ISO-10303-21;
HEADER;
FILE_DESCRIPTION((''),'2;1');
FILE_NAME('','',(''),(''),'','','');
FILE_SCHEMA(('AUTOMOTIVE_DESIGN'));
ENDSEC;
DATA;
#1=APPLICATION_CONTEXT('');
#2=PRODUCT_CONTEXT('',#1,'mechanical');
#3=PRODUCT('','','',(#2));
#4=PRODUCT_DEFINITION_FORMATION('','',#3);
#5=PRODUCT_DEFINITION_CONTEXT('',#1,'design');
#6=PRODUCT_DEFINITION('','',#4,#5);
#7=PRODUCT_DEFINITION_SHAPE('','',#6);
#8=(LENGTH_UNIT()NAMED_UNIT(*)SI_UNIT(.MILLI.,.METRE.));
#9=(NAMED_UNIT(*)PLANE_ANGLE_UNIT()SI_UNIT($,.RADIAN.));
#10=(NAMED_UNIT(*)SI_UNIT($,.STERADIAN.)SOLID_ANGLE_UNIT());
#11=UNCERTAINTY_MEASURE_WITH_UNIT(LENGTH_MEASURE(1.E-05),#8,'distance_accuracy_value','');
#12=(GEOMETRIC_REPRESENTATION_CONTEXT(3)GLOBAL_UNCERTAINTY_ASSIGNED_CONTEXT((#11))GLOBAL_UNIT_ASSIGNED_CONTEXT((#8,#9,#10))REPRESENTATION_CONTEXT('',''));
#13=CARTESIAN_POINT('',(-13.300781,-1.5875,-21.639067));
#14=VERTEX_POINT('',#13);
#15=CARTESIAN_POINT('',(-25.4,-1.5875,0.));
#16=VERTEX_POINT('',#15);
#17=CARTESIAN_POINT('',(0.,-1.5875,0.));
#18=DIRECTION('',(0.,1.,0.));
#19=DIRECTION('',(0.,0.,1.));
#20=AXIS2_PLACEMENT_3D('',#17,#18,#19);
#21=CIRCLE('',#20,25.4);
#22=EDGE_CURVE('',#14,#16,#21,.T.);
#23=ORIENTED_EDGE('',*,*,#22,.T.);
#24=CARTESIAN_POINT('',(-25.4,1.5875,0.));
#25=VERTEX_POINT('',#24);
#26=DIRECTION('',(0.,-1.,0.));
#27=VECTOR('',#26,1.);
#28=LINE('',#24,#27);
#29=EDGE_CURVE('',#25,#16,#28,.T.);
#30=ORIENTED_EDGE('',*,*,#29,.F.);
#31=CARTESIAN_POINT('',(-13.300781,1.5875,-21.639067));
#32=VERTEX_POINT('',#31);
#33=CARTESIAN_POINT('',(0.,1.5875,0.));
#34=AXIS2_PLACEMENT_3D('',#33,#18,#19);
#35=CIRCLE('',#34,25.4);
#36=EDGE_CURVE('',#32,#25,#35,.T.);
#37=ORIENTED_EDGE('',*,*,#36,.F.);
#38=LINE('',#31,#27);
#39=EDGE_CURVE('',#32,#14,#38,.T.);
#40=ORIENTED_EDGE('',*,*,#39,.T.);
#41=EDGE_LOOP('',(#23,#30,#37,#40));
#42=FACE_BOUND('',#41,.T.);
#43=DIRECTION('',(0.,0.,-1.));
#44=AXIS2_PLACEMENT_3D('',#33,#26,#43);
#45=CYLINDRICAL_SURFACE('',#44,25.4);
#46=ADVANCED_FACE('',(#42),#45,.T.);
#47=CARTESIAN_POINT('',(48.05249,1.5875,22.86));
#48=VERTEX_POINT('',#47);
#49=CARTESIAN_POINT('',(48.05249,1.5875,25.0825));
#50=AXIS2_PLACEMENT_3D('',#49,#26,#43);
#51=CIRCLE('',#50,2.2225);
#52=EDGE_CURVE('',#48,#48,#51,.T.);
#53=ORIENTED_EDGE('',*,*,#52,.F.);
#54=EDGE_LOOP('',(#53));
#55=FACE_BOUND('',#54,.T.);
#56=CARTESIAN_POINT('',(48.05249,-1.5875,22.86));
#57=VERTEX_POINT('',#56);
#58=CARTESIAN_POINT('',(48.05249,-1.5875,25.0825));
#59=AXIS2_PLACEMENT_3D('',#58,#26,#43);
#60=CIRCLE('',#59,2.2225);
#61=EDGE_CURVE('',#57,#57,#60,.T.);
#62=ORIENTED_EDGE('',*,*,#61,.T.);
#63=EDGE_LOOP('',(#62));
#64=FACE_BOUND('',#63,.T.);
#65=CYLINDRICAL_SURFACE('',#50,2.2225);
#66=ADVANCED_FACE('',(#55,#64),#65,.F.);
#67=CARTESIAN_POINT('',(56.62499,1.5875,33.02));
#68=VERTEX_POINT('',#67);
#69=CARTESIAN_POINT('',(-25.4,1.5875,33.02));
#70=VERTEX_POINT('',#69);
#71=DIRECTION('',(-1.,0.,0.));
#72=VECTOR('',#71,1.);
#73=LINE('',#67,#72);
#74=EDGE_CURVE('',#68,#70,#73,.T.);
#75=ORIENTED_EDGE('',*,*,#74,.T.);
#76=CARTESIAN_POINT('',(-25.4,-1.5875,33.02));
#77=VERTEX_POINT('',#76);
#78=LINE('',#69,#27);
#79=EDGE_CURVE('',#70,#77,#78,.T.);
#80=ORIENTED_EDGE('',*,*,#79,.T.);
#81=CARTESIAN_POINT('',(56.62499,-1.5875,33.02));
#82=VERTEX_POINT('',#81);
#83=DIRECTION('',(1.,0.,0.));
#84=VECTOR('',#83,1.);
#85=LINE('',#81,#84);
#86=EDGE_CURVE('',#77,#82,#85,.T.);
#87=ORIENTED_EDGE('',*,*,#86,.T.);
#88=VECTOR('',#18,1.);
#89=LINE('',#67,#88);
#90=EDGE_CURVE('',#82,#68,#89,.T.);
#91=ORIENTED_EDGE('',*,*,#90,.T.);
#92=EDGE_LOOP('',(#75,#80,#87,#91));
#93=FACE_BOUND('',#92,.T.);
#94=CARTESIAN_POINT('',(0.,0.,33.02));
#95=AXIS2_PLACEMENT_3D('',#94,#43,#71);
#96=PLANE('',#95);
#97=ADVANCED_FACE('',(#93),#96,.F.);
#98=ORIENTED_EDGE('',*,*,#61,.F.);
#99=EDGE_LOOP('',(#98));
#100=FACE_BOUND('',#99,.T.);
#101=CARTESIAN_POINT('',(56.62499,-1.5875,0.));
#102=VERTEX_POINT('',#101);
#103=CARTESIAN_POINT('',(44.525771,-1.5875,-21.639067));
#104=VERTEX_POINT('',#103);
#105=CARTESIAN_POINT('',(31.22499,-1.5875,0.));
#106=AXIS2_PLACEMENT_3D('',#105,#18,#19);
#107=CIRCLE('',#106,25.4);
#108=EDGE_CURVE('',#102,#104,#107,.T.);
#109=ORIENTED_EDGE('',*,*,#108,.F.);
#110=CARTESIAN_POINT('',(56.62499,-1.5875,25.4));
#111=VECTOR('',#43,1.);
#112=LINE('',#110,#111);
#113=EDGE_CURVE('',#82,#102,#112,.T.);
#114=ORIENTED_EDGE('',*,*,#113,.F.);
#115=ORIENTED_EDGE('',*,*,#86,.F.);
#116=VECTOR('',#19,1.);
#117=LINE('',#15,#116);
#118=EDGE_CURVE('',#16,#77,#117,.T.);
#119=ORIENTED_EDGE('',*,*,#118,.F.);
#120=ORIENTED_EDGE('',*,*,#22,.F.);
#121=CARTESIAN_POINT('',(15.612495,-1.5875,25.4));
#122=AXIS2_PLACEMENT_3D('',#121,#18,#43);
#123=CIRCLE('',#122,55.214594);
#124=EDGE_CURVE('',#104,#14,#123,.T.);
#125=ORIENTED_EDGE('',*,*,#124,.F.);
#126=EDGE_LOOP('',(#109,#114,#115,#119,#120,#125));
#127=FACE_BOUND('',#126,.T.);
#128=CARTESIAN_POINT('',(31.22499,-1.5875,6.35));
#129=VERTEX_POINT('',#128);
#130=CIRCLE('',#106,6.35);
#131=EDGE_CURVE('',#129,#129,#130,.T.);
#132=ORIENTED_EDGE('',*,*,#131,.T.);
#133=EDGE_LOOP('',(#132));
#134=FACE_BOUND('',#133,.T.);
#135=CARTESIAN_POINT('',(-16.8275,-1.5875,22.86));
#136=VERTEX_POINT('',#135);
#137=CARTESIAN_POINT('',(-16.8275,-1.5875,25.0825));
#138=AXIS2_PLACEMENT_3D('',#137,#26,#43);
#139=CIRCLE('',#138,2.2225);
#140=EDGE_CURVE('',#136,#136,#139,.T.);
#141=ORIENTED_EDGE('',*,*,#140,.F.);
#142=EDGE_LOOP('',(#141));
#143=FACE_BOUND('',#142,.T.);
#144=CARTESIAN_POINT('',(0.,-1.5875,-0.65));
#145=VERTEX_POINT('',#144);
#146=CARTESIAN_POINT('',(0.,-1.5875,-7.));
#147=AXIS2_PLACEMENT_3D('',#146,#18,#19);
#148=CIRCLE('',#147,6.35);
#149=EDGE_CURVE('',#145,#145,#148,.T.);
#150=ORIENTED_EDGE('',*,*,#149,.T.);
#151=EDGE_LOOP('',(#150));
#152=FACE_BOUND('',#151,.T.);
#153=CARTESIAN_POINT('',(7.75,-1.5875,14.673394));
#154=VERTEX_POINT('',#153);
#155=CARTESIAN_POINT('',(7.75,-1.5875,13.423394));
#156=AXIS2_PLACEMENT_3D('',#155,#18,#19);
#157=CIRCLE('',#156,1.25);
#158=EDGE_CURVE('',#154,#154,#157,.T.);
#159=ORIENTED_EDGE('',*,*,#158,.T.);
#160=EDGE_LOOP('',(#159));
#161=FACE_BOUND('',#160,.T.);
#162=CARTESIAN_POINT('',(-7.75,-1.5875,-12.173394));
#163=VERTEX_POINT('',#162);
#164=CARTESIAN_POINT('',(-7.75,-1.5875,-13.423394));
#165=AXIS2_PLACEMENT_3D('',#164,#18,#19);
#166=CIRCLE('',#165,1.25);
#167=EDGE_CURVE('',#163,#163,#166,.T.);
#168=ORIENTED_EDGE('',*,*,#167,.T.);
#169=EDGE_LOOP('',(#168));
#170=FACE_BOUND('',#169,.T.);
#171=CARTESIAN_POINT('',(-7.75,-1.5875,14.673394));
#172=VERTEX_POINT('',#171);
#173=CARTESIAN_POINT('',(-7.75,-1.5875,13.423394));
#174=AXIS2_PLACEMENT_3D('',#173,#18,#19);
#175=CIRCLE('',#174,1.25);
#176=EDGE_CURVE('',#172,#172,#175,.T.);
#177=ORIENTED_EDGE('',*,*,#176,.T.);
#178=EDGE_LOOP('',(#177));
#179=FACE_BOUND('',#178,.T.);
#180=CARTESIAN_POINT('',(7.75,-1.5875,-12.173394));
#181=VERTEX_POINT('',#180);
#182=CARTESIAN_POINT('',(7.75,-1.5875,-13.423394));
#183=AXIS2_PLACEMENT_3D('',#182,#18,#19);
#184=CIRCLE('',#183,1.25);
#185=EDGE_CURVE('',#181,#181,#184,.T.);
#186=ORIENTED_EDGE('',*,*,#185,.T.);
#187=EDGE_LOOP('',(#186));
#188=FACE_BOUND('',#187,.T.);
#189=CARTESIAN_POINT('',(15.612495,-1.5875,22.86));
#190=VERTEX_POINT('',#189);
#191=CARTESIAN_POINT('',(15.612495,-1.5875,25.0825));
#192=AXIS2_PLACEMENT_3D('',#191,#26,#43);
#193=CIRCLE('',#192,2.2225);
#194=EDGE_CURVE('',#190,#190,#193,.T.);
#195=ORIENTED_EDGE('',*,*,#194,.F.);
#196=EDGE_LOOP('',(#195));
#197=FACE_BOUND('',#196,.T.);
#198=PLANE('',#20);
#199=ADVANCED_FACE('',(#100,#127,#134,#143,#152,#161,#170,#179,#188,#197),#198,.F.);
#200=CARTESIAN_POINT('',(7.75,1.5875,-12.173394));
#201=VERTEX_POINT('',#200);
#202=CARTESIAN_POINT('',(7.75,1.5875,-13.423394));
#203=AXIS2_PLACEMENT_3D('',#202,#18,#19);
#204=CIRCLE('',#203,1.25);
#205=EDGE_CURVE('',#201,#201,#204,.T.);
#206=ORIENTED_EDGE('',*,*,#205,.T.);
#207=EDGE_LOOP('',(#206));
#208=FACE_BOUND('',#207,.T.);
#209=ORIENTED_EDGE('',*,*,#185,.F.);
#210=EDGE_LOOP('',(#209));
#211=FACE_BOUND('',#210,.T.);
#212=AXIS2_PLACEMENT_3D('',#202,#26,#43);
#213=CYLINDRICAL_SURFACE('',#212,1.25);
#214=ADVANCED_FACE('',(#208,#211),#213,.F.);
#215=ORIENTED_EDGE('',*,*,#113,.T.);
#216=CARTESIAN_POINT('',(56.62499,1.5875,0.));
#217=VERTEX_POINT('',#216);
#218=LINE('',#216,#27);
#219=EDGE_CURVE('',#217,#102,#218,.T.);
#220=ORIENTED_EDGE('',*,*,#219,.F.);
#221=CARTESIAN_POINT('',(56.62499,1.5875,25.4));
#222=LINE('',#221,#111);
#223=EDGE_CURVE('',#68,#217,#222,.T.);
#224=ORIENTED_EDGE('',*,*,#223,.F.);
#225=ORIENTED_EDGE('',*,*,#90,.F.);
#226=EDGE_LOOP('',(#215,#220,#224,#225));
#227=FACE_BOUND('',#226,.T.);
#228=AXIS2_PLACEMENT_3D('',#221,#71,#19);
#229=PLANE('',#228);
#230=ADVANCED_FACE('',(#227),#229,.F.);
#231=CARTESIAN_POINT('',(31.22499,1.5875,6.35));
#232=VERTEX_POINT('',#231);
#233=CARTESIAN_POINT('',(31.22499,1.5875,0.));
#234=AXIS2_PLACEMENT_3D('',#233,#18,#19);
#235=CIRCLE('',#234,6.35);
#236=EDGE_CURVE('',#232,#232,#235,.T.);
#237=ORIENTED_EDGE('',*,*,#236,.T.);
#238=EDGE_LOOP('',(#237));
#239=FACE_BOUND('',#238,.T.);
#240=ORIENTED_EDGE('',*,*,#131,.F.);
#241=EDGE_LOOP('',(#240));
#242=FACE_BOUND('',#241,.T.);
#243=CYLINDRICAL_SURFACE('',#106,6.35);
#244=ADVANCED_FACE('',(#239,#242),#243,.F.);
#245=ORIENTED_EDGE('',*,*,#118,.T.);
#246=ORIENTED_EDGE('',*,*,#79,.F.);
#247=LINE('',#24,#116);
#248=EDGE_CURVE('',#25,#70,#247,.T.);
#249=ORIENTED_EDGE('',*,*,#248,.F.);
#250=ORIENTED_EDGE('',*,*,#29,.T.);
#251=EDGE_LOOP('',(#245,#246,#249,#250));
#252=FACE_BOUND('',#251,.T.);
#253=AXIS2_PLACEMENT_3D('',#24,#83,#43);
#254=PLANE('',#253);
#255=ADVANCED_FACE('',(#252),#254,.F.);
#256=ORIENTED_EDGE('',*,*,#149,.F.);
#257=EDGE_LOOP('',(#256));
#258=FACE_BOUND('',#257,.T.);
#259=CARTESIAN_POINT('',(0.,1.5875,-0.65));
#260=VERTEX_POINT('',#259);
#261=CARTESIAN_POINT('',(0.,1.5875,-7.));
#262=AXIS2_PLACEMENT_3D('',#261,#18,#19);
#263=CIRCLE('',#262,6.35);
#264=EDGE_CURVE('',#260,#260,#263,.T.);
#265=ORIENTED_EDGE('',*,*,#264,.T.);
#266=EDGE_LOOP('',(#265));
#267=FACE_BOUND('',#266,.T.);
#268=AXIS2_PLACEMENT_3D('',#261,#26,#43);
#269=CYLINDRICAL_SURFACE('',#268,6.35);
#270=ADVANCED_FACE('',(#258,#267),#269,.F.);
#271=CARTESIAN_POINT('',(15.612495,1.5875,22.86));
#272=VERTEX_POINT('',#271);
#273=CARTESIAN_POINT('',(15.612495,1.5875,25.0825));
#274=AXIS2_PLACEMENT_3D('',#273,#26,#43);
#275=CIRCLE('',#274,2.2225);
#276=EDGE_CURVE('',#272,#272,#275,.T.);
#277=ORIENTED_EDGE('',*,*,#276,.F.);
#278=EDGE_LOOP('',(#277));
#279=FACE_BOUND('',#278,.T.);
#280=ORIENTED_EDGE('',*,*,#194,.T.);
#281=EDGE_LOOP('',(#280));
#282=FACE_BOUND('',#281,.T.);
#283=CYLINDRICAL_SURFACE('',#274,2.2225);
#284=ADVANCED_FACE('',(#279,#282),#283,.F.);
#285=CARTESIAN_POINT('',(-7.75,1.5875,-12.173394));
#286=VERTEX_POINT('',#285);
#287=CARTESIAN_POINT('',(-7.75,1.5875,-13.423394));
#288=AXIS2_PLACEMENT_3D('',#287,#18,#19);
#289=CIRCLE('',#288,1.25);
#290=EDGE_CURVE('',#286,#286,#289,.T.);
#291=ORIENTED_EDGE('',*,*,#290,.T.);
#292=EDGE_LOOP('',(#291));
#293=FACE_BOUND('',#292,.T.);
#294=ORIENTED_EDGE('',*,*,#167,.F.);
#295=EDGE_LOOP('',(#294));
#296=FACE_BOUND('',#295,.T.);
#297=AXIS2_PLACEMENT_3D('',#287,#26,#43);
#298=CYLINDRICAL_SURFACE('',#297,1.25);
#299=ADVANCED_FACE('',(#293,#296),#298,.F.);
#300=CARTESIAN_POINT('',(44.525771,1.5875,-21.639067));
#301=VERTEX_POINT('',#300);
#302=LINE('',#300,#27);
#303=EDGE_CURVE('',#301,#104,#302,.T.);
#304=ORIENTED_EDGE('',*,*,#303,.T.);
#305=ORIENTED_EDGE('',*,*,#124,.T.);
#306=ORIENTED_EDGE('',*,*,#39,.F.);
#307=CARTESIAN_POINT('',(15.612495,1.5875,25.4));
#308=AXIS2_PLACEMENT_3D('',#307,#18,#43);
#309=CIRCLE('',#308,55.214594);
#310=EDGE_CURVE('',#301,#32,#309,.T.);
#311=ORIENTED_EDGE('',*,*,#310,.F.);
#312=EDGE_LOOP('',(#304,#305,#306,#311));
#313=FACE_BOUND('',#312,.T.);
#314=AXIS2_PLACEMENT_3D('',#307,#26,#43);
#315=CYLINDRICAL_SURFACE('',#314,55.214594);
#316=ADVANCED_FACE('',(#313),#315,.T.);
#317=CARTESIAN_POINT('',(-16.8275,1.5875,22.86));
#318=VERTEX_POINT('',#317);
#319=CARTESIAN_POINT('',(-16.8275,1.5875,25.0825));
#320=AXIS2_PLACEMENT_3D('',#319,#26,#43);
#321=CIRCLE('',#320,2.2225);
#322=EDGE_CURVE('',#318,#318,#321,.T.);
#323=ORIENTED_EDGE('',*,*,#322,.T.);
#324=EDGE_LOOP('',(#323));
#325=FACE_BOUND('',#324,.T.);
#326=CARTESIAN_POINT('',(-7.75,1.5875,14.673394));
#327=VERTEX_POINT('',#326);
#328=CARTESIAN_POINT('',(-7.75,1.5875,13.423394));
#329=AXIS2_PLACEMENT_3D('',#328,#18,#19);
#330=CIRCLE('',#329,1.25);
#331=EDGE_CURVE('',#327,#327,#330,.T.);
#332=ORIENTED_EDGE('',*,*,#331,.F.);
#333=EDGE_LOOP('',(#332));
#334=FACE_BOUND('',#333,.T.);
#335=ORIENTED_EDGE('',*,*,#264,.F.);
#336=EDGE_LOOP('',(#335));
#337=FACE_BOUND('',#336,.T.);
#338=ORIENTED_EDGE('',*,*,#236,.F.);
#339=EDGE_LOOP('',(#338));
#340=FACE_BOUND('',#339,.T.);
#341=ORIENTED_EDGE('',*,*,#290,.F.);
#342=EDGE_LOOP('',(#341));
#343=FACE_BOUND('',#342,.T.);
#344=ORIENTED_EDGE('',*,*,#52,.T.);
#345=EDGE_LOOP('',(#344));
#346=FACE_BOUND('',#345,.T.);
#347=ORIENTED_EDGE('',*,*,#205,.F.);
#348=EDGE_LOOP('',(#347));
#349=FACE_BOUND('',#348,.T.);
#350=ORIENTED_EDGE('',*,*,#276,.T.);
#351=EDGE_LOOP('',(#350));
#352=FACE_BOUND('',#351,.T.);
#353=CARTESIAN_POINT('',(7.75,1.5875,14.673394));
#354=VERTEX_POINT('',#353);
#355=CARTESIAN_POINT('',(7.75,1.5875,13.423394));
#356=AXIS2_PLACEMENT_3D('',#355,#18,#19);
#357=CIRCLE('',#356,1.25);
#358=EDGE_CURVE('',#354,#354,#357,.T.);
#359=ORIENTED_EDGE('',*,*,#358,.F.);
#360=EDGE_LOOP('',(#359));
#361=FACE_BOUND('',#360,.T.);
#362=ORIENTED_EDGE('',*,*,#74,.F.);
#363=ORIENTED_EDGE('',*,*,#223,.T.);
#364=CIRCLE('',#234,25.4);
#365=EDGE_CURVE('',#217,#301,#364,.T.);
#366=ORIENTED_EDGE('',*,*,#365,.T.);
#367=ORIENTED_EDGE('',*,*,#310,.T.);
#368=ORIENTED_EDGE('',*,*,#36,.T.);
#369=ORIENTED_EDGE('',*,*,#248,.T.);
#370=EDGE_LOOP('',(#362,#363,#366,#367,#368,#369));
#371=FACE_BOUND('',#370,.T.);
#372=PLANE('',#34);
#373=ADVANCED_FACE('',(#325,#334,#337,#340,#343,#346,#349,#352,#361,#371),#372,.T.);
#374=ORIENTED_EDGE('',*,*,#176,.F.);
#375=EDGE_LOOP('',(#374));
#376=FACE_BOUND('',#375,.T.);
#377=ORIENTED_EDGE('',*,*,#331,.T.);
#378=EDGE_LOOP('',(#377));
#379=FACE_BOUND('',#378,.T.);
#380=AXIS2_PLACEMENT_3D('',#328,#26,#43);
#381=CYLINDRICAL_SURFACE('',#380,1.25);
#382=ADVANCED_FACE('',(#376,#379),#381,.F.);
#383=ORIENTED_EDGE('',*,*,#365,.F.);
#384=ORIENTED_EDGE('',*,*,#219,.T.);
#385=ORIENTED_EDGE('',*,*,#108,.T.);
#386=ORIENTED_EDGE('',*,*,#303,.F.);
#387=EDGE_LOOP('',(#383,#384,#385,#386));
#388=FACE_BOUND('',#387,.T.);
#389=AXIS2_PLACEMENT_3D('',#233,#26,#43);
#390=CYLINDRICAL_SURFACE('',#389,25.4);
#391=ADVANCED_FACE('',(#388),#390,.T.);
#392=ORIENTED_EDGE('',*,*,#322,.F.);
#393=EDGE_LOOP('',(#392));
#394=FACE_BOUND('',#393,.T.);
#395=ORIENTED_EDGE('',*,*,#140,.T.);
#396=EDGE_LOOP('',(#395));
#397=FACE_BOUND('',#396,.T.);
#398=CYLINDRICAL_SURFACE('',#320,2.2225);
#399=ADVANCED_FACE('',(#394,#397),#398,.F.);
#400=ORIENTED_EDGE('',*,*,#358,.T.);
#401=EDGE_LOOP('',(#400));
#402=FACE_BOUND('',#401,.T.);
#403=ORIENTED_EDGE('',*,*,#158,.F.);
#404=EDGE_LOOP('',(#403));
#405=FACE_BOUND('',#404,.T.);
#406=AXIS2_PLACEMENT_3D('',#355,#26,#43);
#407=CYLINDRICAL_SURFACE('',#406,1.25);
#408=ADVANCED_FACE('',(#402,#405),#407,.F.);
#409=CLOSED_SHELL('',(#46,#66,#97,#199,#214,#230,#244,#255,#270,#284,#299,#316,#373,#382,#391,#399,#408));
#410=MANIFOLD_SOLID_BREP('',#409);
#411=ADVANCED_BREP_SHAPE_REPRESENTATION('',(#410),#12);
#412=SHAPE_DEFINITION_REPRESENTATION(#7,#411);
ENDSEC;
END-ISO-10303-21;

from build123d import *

# Parameters (mm, degrees)
SKETCH3_R                = 6.35
SKETCH3_R_2              = 1.25
BOSS_EXTRUDE4_DEPTH      = 1.5875
BOSS_EXTRUDE7_DEPTH      = 1.5875
BOSS_EXTRUDE7_DEPTH_BACK = 1.5875
SKETCH9_R                = 6.35
CUT_EXTRUDE3_DEPTH       = 4.175
SKETCH11_W               = 82.024989992
SKETCH11_H               = 3.175
BOSS_EXTRUDE8_DEPTH      = 7.62
SKETCH10_R               = 2.2225
CUT_EXTRUDE4_DEPTH       = 4.175


with BuildPart() as part:
    # Sketch3 → Boss-Extrude4 (new body, symmetric)
    with BuildSketch(Plane(origin=(0, 0, 0), x_dir=(1, 0, 0), z_dir=(0, 1, 0))):
        with BuildLine():
            Line((-25.4, 0), (-25.4, -25.4))
            Line((-25.4, -25.4), (0, -25.4))
            Line((0, -25.4), (25.4, -25.4))
            Line((25.4, -25.4), (25.4, 0))
            ThreePointArc((25.4, 0), (0, 25.4), (-25.4, 0))
        make_face()
        with Locations((0, 7)):
            Circle(SKETCH3_R, mode=Mode.SUBTRACT)
        with Locations((7.75, 13.423393759)):
            Circle(SKETCH3_R_2, mode=Mode.SUBTRACT)
        with Locations((-7.75, 13.423393759)):
            Circle(SKETCH3_R_2, mode=Mode.SUBTRACT)
        with Locations((-7.75, -13.423393759)):
            Circle(SKETCH3_R_2, mode=Mode.SUBTRACT)
        with Locations((7.75, -13.423393759)):
            Circle(SKETCH3_R_2, mode=Mode.SUBTRACT)
    extrude(amount=BOSS_EXTRUDE4_DEPTH, both=True)

    # Sketch8 → Boss-Extrude7 (add, two sides)
    with BuildSketch(Plane(origin=(0, 0, 0), x_dir=(1, 0, 0), z_dir=(0, 1, 0))) as boss_extrude7_sk:
        with BuildLine():
            Line((25.4, -25.4), (25.4, 0))
            ThreePointArc((25.4, 0), (12.395970521, 22.169797357), (-13.300780696, 21.639067283))
            ThreePointArc((-13.300780696, 21.639067283), (15.612494996, 29.814593742), (44.525770688, 21.639067283))
            ThreePointArc((44.525770688, 21.639067283), (53.394787349, 12.395970521), (56.624989992, 0))
            Line((56.624989992, 0), (56.624989992, -25.4))
            Line((56.624989992, -25.4), (25.4, -25.4))
        make_face()
    extrude(amount=BOSS_EXTRUDE7_DEPTH)
    extrude(boss_extrude7_sk.sketch, amount=-BOSS_EXTRUDE7_DEPTH_BACK)

    # Sketch9 → Cut-Extrude3 (cut, through all)
    with BuildSketch(Plane(origin=(0, 1.5875, 0), x_dir=(1, 0, 0), z_dir=(0, 1, 0))):
        with Locations((31.224989992, 0)):
            Circle(SKETCH9_R)
    extrude(amount=-CUT_EXTRUDE3_DEPTH, mode=Mode.SUBTRACT)

    # Sketch11 → Boss-Extrude8 (add)
    with BuildSketch(Plane.XY.offset(25.4)):
        with Locations((15.612494996, 0)):
            Rectangle(SKETCH11_W, SKETCH11_H)
    extrude(amount=BOSS_EXTRUDE8_DEPTH)

    # Sketch10 → Cut-Extrude4 (cut, through all)
    with BuildSketch(Plane(origin=(0, -1.5875, 0), x_dir=(-1, 0, 0), z_dir=(0, -1, 0))):
        with Locations((-15.612494996, -25.0825)):
            Circle(SKETCH10_R)
        with Locations((-48.052489992, -25.0825)):
            Circle(SKETCH10_R)
        with Locations((16.8275, -25.0825)):
            Circle(SKETCH10_R)
    extrude(amount=-CUT_EXTRUDE4_DEPTH, mode=Mode.SUBTRACT)


solid = part.part
